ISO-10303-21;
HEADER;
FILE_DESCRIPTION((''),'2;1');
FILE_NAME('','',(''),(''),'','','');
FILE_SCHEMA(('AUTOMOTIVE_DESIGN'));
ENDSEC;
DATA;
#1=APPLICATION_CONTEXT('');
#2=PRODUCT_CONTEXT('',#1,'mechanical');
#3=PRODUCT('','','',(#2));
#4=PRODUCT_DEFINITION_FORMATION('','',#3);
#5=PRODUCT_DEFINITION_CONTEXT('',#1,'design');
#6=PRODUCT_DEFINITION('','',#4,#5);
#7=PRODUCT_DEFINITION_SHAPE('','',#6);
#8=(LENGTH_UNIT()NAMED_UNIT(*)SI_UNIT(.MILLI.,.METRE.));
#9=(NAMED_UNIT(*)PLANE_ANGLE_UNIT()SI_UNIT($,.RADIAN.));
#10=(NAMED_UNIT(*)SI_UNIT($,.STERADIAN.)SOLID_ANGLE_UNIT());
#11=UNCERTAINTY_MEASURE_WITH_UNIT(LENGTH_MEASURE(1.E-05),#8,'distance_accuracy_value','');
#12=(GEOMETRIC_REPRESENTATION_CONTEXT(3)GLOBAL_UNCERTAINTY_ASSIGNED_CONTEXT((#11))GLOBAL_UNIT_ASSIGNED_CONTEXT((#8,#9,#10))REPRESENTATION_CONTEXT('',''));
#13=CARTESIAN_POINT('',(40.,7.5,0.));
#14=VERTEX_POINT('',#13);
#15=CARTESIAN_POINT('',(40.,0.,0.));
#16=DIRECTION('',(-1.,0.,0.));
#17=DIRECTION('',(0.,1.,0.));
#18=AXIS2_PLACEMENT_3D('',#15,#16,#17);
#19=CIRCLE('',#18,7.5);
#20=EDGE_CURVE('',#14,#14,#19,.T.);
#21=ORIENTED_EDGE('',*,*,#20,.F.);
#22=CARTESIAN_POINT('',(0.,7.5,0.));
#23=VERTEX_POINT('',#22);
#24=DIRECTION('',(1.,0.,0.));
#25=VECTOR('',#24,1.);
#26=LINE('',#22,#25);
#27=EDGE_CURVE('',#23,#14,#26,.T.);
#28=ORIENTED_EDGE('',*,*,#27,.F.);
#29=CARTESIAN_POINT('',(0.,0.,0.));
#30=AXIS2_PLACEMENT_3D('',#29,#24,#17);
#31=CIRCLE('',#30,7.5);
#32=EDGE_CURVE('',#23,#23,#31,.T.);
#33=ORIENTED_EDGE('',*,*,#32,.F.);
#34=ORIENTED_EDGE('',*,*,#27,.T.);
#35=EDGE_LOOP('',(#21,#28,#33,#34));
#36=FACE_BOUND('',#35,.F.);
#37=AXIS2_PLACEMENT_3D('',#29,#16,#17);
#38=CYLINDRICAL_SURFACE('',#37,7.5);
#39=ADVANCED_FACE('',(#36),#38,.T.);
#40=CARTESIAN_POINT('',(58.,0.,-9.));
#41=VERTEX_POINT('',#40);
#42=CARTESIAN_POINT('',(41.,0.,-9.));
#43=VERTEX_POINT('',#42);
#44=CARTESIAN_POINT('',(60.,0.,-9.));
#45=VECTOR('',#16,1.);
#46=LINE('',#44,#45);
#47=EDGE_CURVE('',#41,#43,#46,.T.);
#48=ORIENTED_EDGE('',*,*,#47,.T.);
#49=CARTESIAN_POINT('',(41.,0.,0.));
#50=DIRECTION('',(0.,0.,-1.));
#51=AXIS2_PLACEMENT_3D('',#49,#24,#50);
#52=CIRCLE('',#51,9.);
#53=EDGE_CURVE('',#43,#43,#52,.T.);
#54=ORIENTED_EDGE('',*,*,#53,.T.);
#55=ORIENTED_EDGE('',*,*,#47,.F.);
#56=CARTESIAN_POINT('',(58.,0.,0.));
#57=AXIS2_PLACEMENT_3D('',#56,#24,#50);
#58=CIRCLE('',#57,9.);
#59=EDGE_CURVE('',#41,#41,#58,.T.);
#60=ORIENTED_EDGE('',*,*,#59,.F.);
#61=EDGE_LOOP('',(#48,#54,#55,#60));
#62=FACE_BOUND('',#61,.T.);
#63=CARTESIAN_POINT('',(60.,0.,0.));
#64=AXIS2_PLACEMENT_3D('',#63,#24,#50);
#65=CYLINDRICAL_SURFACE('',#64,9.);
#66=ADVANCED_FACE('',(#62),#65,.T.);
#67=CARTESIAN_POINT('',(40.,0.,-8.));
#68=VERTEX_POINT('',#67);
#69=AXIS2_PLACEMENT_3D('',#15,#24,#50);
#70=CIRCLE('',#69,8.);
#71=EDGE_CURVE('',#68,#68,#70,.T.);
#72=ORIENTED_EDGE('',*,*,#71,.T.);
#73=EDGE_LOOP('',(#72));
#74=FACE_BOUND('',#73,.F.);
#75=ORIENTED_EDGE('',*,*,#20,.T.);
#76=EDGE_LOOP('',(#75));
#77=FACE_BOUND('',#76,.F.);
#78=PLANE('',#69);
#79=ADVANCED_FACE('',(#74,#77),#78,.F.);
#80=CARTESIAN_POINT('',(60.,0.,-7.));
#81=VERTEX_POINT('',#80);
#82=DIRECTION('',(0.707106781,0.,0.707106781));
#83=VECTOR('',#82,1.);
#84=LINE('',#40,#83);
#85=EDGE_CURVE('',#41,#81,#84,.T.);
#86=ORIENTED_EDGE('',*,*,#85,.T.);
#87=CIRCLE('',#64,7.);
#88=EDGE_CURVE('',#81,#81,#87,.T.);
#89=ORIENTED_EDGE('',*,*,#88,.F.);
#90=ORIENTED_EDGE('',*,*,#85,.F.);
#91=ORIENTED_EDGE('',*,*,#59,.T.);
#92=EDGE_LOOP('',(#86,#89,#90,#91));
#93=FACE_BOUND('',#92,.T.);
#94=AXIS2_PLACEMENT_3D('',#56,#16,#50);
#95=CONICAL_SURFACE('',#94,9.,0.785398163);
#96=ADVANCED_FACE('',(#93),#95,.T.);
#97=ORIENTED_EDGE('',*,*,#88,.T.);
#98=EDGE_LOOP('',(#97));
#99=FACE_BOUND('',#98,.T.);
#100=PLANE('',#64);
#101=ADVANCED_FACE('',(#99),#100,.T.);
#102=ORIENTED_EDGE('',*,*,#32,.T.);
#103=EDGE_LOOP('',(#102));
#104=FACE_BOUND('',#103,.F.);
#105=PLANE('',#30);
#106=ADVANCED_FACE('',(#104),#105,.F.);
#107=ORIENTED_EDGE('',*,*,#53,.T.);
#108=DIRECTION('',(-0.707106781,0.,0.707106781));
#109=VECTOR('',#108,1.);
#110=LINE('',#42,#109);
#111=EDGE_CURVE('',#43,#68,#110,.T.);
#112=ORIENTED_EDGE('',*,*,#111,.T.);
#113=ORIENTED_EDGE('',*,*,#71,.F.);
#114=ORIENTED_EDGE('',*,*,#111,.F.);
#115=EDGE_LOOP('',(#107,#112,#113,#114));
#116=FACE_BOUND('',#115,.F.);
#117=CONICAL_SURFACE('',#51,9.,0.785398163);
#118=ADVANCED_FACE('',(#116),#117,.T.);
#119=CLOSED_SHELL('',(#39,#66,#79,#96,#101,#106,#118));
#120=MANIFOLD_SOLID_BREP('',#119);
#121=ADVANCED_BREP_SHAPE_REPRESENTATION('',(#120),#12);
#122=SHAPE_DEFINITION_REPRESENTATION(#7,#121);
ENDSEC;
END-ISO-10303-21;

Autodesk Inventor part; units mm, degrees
ref_plane "YZ Plane" through (0, 0, 0) normal (1, 0, 0) x (0, 1, 0)
ref_plane "XZ Plane" through (0, 0, 0) normal (0, 1, 0) x (-1, 0, 0)
ref_plane "XY Plane" through (0, 0, 0) normal (0, 0, 1) x (1, 0, 0)
sketch "Sketch1" plane through (0, 0, 0) normal (1, 0, 0) x (0, 1, 0)
  circle A0 centre (0, 0) radius 7.5
  dimension "d0" = 15
extrude "Extrusion1" add sketch "Sketch1" along normal blind 60
sketch "Sketch2" plane through (60, 0, 0) normal (1, 0, 0) x (0, 0, -1)
  circle A0 centre (0, 0) radius 9
  dimension "d5" = 18
extrude "Extrusion2" add sketch "Sketch2" against normal blind 20
chamfer "Chamfer1" distance 2 angle 45 1 edges at (60, 0, 9)
chamfer "Chamfer2" distance 1 angle 45 1 edges at (40, 0, 9)
properties part number "Enbolo"
